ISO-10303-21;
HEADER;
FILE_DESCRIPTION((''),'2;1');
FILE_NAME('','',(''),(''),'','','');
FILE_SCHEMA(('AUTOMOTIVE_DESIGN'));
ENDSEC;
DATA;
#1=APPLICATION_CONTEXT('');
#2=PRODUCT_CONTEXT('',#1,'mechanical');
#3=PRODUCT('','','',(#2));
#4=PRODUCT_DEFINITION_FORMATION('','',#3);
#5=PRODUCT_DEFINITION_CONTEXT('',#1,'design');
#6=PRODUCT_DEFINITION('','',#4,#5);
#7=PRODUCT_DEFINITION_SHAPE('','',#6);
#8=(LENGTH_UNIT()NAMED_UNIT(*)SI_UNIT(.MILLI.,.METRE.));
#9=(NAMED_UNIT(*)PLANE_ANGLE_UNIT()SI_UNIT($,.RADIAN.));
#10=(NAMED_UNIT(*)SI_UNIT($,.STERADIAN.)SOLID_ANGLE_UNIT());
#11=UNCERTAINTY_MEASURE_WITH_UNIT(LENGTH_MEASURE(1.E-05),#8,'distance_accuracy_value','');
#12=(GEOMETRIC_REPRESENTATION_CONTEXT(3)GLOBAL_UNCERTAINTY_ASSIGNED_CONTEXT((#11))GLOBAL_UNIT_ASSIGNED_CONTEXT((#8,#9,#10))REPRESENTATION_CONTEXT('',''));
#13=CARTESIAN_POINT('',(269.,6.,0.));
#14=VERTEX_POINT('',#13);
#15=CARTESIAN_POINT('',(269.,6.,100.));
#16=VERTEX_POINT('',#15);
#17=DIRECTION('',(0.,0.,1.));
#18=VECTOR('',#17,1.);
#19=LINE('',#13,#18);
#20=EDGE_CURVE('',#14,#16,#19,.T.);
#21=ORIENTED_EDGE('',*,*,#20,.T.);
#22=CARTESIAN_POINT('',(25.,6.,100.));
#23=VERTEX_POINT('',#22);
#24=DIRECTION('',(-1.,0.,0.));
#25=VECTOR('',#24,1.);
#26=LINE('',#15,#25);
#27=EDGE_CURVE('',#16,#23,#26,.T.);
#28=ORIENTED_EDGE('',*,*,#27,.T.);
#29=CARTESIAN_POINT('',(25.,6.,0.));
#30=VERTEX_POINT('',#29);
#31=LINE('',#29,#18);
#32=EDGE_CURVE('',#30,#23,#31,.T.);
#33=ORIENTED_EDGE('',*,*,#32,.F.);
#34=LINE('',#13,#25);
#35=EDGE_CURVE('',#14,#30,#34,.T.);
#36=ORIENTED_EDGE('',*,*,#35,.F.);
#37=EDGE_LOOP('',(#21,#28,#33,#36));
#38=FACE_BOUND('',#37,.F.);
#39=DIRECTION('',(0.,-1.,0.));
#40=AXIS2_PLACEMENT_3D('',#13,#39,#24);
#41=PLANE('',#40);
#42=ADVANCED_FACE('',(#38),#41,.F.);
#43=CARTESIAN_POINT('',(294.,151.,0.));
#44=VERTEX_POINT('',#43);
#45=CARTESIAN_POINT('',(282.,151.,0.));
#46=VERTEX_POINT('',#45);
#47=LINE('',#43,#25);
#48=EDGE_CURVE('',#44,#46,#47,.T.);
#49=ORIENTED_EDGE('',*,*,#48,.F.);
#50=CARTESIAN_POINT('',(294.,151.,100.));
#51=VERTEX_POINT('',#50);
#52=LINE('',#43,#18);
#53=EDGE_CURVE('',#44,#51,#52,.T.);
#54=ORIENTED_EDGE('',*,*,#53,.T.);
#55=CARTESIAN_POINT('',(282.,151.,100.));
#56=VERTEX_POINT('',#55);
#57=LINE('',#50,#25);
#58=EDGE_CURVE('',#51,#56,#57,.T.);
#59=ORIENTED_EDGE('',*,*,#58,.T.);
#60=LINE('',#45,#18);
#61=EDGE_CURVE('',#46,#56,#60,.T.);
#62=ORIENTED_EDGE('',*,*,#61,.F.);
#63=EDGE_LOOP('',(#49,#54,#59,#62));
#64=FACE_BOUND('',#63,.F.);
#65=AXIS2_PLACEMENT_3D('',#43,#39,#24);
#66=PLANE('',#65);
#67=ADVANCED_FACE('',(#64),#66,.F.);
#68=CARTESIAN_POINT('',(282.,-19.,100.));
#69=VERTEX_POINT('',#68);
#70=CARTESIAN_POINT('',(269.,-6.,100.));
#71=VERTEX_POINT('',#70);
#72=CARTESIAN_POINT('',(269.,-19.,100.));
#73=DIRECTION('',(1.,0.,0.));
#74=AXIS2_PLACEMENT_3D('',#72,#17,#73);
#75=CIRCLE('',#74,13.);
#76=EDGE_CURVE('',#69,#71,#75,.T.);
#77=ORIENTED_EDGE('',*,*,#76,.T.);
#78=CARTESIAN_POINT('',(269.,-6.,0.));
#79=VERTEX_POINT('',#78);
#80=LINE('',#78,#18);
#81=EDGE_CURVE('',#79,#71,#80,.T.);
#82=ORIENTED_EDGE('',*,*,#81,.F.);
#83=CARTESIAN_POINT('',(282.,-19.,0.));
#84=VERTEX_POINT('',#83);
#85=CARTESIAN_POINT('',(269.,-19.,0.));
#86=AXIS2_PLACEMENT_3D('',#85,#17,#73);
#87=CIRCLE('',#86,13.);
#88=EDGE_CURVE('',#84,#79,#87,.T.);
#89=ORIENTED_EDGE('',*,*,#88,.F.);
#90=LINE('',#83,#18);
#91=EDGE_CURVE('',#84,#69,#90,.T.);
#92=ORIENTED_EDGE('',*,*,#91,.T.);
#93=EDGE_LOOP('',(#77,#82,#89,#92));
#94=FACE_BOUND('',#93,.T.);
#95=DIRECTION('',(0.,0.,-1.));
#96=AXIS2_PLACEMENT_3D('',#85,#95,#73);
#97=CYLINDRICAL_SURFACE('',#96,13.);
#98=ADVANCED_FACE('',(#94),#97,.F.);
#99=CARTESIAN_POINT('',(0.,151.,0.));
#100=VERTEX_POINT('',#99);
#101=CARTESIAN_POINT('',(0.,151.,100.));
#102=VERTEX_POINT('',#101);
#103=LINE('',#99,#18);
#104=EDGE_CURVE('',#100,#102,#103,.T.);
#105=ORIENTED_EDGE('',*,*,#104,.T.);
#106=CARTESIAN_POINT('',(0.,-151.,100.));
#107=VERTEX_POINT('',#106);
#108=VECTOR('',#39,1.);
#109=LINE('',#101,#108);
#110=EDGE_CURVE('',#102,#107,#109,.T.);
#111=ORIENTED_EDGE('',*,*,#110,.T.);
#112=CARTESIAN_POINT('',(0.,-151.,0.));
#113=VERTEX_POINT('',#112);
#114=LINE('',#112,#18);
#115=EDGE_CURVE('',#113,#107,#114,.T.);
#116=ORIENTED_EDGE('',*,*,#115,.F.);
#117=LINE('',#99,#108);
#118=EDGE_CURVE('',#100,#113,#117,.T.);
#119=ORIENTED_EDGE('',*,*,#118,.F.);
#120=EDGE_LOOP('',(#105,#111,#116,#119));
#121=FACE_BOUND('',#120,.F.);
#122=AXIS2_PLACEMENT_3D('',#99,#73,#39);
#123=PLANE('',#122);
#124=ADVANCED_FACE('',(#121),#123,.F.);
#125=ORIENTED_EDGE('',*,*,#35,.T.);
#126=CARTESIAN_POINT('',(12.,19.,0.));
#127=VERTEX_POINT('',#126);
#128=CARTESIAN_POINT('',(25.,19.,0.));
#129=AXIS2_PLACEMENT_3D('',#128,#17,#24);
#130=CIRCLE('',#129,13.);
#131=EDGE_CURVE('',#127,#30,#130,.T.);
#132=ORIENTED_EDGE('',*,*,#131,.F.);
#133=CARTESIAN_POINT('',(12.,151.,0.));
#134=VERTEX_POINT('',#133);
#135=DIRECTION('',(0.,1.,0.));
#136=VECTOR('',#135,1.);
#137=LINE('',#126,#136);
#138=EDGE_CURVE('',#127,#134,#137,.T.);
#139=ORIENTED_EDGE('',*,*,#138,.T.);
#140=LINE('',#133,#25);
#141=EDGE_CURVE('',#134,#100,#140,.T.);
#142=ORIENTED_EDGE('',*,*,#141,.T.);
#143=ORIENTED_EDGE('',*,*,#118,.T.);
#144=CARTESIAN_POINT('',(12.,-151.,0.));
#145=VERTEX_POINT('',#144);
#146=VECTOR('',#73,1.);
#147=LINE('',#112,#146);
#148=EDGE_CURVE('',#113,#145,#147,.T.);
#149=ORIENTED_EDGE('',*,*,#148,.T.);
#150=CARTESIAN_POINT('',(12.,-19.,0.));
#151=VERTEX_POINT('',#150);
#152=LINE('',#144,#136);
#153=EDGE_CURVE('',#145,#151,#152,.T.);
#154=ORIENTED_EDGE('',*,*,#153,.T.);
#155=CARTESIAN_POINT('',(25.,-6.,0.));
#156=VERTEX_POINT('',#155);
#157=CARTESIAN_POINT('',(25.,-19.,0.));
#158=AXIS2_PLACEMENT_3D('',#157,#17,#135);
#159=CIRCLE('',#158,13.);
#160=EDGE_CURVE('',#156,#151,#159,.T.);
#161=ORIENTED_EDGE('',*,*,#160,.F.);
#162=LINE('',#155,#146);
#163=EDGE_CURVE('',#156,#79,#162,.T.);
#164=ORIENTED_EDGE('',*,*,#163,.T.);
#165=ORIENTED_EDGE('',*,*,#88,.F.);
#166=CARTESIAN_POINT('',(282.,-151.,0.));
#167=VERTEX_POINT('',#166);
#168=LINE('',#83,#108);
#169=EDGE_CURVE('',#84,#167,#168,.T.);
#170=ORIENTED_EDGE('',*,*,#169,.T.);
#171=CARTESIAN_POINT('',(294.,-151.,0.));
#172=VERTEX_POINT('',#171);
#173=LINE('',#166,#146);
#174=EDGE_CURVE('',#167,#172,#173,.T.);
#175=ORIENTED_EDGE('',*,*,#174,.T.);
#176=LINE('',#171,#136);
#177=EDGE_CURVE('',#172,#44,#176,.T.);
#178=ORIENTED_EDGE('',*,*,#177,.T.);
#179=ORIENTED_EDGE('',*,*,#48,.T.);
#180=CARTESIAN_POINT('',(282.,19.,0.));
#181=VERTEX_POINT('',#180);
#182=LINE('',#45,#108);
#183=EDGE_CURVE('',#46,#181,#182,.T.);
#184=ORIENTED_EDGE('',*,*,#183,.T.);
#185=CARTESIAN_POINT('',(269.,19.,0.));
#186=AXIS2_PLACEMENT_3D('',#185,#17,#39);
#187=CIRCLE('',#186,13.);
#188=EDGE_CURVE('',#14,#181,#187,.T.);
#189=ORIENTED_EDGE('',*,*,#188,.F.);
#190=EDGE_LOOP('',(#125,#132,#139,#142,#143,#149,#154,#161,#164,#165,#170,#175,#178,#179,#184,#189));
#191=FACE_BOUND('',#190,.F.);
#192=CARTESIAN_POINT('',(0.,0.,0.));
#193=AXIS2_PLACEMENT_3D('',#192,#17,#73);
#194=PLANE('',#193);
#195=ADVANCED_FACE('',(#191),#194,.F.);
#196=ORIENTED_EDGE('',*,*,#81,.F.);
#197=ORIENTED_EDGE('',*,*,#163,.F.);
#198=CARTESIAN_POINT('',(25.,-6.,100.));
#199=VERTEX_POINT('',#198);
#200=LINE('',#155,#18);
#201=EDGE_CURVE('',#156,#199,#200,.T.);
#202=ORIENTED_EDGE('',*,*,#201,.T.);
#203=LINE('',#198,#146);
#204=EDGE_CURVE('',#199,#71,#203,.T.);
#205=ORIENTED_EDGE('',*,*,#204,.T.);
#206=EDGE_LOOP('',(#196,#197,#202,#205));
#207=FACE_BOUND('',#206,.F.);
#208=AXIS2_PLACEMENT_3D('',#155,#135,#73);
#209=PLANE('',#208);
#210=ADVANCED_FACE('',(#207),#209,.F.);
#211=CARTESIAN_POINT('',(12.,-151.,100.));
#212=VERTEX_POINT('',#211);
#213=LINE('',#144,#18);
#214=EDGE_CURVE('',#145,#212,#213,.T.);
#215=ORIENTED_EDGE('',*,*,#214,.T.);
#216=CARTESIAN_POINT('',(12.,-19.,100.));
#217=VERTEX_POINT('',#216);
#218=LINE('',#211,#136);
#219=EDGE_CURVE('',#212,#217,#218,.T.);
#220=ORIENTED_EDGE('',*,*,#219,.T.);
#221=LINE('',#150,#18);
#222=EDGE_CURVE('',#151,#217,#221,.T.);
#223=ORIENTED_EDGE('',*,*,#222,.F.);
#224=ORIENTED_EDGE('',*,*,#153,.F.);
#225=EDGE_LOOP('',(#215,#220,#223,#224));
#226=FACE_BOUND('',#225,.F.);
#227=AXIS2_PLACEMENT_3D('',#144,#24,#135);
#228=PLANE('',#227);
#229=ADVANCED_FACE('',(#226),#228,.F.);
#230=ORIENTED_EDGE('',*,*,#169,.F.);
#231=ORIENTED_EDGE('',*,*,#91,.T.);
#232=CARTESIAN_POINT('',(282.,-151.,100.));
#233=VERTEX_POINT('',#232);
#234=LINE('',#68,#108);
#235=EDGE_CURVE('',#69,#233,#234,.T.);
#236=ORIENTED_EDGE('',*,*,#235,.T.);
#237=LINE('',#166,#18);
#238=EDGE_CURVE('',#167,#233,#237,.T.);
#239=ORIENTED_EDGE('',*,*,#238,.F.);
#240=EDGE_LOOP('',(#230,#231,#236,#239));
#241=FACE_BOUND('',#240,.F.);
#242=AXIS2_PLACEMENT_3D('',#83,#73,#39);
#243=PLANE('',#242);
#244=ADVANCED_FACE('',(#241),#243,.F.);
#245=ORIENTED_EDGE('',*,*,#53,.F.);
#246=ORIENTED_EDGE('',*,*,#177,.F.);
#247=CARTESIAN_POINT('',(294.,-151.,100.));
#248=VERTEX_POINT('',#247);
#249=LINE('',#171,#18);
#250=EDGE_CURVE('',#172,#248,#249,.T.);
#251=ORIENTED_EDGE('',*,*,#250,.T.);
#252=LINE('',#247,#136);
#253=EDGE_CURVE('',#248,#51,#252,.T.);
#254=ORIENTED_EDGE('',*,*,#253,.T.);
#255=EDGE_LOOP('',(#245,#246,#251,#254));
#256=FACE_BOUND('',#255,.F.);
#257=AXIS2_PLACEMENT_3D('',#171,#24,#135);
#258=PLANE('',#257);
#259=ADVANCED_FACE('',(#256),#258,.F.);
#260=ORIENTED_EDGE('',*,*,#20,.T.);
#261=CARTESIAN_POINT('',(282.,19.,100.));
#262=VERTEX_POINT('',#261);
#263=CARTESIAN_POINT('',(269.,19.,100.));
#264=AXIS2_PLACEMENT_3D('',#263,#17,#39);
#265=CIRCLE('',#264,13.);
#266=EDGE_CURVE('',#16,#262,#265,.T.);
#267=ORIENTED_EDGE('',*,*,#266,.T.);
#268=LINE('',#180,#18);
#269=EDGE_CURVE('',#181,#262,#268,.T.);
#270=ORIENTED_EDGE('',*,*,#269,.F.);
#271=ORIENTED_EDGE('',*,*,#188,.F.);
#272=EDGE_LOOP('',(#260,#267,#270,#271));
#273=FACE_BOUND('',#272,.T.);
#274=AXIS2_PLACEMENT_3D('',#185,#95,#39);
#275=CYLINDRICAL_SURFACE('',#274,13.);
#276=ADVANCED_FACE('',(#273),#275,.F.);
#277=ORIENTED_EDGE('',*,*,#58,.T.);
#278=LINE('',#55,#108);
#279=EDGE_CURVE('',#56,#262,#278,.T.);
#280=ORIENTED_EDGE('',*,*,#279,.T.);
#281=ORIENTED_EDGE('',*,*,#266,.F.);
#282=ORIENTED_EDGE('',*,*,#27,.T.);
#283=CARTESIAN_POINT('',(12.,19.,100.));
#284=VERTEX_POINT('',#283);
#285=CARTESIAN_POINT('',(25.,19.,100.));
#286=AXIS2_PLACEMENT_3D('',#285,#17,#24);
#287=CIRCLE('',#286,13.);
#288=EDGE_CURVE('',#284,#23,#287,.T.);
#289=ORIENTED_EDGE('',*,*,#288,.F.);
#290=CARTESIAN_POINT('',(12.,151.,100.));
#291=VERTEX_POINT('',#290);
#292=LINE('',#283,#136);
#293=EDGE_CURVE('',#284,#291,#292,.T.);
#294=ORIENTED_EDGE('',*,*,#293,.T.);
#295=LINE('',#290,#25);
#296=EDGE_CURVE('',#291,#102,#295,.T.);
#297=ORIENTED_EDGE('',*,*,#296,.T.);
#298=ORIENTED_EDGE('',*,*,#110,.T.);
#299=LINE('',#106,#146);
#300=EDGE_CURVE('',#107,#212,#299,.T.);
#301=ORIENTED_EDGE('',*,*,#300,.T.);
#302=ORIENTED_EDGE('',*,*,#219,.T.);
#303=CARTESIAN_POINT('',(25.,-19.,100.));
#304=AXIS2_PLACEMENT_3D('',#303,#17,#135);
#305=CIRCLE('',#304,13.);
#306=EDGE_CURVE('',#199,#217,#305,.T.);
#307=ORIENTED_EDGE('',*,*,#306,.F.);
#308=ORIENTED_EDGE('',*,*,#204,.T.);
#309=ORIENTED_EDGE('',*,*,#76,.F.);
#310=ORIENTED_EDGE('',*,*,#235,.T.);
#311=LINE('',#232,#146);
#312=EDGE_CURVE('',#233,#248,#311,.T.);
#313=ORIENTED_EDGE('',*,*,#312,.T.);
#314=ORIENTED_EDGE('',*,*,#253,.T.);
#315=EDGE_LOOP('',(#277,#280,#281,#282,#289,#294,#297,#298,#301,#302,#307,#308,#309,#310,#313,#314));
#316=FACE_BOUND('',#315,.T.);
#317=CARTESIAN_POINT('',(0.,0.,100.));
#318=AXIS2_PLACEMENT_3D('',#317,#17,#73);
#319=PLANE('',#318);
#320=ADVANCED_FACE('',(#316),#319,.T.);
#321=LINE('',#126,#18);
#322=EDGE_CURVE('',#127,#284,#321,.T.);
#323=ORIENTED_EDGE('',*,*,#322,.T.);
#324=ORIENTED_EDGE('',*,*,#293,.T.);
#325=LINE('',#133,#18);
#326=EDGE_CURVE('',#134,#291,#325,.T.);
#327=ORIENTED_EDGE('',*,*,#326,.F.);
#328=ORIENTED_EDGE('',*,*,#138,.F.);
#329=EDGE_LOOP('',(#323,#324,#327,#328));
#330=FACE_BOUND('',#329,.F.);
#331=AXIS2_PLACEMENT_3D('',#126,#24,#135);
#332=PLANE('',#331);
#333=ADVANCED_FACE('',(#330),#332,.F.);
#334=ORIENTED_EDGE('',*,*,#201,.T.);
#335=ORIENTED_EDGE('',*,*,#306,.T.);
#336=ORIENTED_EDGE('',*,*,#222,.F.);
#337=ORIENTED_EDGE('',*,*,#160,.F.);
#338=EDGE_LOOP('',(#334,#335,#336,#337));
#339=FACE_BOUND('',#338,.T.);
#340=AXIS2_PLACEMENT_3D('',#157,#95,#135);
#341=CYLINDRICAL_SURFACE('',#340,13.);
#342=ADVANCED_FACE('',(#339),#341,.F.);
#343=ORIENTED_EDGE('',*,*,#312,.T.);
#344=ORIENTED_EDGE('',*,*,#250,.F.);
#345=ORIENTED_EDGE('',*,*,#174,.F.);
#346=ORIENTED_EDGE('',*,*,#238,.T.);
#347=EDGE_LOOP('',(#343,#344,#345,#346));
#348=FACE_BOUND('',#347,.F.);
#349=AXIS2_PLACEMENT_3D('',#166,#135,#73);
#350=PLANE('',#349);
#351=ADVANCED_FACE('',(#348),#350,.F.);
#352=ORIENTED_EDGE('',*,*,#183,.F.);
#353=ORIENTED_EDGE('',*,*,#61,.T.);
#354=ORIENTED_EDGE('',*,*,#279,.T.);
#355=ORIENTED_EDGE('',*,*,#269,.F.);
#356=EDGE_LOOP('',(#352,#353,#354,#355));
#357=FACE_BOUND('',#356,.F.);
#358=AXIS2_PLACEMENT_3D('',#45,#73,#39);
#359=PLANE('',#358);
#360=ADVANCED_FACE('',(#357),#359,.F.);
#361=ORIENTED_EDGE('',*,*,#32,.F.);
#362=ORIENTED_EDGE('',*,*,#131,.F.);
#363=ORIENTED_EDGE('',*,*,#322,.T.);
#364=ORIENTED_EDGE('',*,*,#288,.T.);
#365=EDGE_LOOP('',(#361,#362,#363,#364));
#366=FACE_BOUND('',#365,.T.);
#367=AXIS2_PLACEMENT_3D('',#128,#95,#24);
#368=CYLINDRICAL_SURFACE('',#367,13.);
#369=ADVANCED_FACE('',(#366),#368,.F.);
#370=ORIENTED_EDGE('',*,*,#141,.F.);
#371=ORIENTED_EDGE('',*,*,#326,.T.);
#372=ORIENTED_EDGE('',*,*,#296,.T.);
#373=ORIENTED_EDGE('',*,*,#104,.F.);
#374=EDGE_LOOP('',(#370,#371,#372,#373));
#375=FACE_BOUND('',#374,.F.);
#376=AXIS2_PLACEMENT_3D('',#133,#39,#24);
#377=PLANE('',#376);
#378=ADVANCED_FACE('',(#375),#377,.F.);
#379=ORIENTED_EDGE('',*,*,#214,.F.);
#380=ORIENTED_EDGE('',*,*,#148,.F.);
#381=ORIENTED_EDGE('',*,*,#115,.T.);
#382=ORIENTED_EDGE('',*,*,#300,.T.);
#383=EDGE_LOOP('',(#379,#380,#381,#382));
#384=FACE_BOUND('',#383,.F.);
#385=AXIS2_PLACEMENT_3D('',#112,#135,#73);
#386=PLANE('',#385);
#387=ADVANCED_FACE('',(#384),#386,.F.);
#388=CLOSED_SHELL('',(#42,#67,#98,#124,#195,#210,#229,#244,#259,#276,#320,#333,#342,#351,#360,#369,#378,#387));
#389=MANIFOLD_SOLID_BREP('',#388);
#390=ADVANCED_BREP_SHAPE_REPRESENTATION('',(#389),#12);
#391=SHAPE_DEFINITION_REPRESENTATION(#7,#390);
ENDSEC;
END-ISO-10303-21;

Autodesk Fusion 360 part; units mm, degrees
sketch "スケッチ1" plane through (0, 0, 0) normal (0, 0, 1) x (1, 0, 0)
  line L0 (294, 151) -> (282, 151)
  line L1 (282, -151) -> (294, -151)
  line L2 (0, 151) -> (0, -151)
  line L3 (12, 19) -> (12, 151)
  line L4 (282, 151) -> (282, 19)
  line L5 (282, -19) -> (282, -151)
  line L6 (12, -151) -> (12, -19)
  line L7 (0, -151) -> (12, -151)
  line L8 (269, 6) -> (25, 6)
  line L9 (25, -6) -> (269, -6)
  line L10 (12, 151) -> (0, 151)
  line L11 (294, -151) -> (294, 151)
  arc A0 (25, -6) -> (12, -19) centre (25, -19) ccw
  arc A1 (12, 19) -> (25, 6) centre (25, 19) ccw
  arc A2 (269, 6) -> (282, 19) centre (269, 19) ccw
  arc A3 (282, -19) -> (269, -6) centre (269, -19) ccw
extrude "押し出し1" add sketch "スケッチ1" along normal blind 100
